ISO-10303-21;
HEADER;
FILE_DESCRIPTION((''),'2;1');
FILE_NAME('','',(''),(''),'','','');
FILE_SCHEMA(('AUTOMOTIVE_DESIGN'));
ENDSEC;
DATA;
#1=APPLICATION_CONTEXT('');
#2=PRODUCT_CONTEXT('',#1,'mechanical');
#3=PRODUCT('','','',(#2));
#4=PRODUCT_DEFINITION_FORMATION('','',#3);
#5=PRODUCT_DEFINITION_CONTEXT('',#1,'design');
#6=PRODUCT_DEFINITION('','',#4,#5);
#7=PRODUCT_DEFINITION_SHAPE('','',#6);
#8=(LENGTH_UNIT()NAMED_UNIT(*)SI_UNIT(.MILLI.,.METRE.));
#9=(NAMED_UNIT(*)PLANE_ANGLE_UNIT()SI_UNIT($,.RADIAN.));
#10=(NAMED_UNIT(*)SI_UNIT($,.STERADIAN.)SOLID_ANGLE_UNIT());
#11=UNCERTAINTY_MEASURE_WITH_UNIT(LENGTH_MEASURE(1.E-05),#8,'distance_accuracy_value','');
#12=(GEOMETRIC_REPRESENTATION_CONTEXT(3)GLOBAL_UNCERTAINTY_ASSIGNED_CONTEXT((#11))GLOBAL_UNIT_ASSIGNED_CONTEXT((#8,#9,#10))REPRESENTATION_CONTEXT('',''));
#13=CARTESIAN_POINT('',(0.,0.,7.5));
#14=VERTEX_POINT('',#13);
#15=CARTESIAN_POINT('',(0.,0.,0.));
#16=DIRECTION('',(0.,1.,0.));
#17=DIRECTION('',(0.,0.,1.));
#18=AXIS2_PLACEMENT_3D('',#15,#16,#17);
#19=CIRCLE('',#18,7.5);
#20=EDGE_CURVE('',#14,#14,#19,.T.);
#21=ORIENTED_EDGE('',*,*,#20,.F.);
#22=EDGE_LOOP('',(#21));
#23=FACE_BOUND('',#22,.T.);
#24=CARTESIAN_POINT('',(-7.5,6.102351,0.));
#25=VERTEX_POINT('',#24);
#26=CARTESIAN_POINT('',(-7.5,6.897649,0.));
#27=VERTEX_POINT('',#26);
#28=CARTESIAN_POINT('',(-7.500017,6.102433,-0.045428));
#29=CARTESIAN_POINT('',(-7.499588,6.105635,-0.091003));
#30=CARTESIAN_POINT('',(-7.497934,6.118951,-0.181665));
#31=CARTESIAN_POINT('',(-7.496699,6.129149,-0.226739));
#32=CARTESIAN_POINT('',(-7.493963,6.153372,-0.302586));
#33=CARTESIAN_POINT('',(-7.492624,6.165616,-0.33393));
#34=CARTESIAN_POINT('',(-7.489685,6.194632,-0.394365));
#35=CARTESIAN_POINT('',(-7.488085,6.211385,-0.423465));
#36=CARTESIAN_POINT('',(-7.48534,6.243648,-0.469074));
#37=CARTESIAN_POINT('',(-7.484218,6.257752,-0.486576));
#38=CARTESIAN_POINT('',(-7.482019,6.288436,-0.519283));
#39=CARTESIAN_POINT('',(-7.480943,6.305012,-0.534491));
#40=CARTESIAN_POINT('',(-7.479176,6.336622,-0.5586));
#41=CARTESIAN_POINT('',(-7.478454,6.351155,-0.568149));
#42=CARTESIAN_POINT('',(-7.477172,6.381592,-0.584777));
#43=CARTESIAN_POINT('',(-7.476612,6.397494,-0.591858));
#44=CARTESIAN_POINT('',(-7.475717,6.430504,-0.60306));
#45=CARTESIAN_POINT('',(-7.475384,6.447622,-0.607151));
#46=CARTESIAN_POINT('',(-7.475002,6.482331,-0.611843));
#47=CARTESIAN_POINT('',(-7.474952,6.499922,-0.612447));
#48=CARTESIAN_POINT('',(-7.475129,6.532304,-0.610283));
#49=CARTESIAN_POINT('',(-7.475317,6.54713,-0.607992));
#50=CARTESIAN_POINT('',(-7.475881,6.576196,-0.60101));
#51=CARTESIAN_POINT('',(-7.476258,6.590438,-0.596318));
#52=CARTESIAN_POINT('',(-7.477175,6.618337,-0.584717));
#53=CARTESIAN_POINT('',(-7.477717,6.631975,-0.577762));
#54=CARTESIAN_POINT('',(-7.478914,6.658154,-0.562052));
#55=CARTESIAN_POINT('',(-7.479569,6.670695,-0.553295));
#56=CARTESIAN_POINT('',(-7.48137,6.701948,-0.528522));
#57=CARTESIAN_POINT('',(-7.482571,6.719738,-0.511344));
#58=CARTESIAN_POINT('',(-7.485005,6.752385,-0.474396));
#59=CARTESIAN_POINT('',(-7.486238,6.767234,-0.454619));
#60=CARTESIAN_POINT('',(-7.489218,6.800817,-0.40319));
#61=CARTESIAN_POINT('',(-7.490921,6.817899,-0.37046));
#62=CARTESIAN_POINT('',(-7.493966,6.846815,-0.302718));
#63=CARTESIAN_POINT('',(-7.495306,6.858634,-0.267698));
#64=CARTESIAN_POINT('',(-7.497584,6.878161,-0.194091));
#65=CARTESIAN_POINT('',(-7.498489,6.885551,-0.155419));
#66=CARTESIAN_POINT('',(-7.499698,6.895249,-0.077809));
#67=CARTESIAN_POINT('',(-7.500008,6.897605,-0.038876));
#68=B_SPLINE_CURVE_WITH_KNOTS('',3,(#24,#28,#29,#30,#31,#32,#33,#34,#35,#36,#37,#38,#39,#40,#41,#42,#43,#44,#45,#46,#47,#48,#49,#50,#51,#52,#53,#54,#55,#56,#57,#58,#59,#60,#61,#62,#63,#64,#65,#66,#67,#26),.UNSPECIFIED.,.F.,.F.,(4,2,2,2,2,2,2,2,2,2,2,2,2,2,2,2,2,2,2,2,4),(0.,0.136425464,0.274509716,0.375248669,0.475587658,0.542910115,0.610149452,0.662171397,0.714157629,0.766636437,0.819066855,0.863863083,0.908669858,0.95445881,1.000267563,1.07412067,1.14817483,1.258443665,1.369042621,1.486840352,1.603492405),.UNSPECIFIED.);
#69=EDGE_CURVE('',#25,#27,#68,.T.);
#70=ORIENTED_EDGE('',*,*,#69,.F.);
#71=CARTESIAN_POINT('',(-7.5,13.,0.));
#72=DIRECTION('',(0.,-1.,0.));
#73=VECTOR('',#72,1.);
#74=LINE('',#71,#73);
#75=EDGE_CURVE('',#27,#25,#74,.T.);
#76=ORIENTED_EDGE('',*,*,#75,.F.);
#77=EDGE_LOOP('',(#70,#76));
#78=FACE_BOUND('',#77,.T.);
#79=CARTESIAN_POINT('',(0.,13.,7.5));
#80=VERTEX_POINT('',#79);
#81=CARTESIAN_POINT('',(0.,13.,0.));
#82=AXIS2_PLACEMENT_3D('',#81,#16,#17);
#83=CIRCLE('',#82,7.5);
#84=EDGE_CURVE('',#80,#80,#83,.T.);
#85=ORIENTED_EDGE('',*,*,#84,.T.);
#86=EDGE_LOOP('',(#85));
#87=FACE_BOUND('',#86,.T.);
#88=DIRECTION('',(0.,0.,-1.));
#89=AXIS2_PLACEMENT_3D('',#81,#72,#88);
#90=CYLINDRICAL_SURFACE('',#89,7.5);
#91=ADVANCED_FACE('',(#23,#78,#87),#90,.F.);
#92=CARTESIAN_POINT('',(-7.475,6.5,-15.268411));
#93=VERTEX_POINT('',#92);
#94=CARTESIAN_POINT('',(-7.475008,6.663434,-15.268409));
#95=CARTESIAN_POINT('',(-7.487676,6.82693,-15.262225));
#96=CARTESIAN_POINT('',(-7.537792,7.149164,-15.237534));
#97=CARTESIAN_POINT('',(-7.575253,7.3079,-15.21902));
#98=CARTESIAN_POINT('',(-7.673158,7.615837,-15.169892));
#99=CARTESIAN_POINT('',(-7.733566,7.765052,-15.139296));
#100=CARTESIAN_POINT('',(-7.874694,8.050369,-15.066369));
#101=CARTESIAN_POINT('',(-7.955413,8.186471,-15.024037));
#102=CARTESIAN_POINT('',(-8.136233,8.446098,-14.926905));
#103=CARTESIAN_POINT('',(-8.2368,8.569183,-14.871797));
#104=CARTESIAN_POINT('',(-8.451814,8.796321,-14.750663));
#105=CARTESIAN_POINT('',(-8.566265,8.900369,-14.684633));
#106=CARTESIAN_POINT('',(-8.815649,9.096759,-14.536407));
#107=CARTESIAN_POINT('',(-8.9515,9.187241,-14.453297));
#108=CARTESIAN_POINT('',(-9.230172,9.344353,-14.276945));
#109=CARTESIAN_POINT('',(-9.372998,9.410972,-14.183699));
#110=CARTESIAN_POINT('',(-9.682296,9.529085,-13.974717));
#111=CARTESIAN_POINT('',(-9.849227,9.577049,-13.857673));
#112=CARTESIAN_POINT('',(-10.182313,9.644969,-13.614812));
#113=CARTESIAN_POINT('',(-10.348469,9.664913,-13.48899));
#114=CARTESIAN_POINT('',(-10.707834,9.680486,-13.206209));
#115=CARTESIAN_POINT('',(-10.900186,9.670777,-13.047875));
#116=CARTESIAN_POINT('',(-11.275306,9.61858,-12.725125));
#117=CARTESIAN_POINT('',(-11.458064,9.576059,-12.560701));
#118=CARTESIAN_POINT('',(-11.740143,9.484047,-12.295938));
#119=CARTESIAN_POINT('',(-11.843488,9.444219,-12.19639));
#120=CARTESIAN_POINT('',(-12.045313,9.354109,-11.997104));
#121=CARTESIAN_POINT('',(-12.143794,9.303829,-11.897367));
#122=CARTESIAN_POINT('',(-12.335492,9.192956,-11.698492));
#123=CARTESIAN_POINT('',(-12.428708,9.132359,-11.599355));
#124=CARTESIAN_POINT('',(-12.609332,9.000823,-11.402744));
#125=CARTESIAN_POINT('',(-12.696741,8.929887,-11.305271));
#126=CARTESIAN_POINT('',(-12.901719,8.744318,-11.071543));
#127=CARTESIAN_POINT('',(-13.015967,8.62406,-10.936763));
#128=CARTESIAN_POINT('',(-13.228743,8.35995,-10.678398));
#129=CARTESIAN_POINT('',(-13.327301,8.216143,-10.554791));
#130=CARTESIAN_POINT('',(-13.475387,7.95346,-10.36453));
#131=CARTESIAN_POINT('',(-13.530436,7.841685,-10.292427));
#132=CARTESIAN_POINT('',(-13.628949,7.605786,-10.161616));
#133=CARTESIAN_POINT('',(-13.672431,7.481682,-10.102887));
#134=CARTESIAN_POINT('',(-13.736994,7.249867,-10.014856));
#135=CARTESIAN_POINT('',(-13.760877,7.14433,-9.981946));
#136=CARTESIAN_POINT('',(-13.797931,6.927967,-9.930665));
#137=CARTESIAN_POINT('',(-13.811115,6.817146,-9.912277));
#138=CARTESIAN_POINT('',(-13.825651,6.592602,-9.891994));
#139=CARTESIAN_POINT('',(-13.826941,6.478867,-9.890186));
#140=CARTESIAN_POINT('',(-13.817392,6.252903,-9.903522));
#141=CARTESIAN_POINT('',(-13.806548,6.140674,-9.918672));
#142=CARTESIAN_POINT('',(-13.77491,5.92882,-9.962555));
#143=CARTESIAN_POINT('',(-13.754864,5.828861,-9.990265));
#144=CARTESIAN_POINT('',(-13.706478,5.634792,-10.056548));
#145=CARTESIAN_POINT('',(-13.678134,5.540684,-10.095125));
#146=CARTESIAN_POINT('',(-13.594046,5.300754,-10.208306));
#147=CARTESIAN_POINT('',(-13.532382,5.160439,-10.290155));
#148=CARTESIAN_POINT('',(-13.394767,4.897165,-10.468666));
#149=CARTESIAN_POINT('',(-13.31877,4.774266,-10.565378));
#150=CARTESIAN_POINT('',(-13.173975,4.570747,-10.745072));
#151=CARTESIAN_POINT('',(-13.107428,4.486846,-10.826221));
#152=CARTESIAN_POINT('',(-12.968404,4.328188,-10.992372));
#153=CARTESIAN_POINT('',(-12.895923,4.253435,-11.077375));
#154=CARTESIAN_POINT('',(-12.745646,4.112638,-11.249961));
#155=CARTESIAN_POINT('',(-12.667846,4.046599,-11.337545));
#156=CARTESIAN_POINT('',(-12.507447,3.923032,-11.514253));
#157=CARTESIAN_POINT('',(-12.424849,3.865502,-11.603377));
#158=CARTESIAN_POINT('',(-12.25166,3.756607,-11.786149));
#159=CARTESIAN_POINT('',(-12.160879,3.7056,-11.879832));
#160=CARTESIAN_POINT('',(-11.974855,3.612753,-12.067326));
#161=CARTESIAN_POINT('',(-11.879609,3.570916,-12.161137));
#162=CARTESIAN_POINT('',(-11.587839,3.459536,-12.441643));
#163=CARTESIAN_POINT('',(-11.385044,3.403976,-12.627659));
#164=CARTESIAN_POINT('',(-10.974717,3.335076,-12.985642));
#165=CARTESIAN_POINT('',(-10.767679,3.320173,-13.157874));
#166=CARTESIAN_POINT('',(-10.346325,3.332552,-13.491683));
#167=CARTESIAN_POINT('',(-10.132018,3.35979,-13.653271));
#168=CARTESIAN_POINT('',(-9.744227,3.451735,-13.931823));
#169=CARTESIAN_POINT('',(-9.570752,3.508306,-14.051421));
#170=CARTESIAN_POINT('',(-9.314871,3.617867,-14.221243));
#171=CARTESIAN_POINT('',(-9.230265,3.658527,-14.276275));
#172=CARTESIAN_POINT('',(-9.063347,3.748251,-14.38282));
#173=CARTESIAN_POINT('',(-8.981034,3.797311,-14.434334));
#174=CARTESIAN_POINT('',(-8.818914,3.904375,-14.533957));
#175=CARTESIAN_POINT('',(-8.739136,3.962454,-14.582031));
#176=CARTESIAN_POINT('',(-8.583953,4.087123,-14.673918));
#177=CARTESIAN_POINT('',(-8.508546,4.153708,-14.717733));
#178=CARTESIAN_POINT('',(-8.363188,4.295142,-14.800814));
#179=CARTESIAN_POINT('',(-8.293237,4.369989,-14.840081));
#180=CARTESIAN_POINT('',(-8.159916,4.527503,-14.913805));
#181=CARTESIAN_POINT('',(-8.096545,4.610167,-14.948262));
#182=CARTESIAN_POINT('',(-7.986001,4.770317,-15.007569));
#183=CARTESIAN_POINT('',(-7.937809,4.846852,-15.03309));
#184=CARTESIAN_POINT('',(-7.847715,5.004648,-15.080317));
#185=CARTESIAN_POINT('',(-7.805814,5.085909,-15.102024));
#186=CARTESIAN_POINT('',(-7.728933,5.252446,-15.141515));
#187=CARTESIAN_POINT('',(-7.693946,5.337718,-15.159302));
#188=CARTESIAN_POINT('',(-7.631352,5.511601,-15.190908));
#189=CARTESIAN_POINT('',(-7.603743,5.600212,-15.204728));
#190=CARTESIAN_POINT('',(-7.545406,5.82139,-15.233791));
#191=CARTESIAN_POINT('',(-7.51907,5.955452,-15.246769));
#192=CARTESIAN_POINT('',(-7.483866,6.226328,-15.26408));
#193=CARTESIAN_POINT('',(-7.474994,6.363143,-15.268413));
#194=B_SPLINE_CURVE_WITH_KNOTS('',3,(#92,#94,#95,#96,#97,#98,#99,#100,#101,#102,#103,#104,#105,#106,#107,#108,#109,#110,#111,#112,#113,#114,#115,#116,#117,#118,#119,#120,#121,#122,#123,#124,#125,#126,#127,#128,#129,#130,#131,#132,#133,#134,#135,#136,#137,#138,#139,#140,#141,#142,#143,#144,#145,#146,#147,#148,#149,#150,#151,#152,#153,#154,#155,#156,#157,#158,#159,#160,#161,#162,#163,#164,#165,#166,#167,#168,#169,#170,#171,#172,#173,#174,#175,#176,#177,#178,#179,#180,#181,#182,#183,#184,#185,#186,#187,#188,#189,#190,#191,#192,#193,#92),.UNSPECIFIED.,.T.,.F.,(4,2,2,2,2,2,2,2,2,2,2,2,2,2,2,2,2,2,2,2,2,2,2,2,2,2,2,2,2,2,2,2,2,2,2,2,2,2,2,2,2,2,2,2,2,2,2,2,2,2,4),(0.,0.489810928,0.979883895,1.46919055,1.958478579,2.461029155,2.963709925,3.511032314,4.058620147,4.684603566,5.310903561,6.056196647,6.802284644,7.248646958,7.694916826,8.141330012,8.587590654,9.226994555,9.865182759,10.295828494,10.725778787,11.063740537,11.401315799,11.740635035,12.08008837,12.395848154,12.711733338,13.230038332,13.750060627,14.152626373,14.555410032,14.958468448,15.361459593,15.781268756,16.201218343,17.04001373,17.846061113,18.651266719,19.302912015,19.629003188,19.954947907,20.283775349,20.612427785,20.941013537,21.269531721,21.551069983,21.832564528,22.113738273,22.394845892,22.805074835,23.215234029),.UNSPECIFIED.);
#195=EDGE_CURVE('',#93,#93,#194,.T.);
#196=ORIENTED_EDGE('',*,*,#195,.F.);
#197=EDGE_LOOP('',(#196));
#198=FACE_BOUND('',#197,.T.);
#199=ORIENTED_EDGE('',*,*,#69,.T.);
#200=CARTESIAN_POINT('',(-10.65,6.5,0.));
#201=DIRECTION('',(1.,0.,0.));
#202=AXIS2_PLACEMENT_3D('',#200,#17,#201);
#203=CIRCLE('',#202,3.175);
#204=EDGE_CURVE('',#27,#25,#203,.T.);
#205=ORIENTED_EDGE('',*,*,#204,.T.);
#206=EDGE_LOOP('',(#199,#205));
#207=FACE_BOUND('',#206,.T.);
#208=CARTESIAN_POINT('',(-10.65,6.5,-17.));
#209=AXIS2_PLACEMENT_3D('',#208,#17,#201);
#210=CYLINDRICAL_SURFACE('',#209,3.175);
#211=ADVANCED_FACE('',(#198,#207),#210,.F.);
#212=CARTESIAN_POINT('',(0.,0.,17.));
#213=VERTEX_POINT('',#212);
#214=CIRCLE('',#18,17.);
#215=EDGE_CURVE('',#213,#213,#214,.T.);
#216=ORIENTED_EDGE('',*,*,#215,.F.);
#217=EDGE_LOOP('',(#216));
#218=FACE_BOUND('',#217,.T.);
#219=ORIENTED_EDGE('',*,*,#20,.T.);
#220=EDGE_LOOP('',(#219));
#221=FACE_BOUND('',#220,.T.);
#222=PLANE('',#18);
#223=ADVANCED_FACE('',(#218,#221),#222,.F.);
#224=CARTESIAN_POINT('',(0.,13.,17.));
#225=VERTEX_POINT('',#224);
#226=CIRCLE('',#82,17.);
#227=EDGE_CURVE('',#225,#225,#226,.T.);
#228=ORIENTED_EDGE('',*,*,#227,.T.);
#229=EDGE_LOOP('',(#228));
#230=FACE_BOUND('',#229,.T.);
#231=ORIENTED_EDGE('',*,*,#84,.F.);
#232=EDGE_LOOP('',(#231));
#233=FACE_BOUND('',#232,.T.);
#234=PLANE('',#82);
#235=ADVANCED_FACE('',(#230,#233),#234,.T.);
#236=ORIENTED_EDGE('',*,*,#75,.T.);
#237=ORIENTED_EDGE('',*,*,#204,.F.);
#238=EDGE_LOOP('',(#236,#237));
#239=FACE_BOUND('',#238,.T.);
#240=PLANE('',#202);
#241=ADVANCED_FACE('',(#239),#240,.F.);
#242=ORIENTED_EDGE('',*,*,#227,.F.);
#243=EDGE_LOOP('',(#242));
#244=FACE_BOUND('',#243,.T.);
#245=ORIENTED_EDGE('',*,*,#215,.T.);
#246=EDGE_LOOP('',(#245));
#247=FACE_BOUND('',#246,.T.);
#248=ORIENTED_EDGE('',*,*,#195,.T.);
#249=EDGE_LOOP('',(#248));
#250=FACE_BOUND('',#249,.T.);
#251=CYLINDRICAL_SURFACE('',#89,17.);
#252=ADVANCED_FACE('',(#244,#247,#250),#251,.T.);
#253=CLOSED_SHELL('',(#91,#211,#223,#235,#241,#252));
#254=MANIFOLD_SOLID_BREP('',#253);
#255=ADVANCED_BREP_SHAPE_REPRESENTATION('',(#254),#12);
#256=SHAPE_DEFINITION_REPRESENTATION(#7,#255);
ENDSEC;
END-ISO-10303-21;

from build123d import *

# Parameters (mm, degrees)
SKETCH1_R           = 17
SKETCH1_R_2         = 7.5
BOSS_EXTRUDE1_DEPTH = 13
SKETCH2_R           = 3.175
CUT_EXTRUDE1_DEPTH  = 18


with BuildPart() as part:
    # Sketch1 → Boss-Extrude1 (new body)
    with BuildSketch(Plane(origin=(0, 0, 0), x_dir=(1, 0, 0), z_dir=(0, 1, 0))):
        Circle(SKETCH1_R)
        Circle(SKETCH1_R_2, mode=Mode.SUBTRACT)
    extrude(amount=BOSS_EXTRUDE1_DEPTH)

    # Sketch2 → Cut-Extrude1 (cut, through all)
    with BuildSketch(Plane.XY):
        with Locations((-10.65, 6.5)):
            Circle(SKETCH2_R)
    extrude(amount=-CUT_EXTRUDE1_DEPTH, mode=Mode.SUBTRACT)


solid = part.part
